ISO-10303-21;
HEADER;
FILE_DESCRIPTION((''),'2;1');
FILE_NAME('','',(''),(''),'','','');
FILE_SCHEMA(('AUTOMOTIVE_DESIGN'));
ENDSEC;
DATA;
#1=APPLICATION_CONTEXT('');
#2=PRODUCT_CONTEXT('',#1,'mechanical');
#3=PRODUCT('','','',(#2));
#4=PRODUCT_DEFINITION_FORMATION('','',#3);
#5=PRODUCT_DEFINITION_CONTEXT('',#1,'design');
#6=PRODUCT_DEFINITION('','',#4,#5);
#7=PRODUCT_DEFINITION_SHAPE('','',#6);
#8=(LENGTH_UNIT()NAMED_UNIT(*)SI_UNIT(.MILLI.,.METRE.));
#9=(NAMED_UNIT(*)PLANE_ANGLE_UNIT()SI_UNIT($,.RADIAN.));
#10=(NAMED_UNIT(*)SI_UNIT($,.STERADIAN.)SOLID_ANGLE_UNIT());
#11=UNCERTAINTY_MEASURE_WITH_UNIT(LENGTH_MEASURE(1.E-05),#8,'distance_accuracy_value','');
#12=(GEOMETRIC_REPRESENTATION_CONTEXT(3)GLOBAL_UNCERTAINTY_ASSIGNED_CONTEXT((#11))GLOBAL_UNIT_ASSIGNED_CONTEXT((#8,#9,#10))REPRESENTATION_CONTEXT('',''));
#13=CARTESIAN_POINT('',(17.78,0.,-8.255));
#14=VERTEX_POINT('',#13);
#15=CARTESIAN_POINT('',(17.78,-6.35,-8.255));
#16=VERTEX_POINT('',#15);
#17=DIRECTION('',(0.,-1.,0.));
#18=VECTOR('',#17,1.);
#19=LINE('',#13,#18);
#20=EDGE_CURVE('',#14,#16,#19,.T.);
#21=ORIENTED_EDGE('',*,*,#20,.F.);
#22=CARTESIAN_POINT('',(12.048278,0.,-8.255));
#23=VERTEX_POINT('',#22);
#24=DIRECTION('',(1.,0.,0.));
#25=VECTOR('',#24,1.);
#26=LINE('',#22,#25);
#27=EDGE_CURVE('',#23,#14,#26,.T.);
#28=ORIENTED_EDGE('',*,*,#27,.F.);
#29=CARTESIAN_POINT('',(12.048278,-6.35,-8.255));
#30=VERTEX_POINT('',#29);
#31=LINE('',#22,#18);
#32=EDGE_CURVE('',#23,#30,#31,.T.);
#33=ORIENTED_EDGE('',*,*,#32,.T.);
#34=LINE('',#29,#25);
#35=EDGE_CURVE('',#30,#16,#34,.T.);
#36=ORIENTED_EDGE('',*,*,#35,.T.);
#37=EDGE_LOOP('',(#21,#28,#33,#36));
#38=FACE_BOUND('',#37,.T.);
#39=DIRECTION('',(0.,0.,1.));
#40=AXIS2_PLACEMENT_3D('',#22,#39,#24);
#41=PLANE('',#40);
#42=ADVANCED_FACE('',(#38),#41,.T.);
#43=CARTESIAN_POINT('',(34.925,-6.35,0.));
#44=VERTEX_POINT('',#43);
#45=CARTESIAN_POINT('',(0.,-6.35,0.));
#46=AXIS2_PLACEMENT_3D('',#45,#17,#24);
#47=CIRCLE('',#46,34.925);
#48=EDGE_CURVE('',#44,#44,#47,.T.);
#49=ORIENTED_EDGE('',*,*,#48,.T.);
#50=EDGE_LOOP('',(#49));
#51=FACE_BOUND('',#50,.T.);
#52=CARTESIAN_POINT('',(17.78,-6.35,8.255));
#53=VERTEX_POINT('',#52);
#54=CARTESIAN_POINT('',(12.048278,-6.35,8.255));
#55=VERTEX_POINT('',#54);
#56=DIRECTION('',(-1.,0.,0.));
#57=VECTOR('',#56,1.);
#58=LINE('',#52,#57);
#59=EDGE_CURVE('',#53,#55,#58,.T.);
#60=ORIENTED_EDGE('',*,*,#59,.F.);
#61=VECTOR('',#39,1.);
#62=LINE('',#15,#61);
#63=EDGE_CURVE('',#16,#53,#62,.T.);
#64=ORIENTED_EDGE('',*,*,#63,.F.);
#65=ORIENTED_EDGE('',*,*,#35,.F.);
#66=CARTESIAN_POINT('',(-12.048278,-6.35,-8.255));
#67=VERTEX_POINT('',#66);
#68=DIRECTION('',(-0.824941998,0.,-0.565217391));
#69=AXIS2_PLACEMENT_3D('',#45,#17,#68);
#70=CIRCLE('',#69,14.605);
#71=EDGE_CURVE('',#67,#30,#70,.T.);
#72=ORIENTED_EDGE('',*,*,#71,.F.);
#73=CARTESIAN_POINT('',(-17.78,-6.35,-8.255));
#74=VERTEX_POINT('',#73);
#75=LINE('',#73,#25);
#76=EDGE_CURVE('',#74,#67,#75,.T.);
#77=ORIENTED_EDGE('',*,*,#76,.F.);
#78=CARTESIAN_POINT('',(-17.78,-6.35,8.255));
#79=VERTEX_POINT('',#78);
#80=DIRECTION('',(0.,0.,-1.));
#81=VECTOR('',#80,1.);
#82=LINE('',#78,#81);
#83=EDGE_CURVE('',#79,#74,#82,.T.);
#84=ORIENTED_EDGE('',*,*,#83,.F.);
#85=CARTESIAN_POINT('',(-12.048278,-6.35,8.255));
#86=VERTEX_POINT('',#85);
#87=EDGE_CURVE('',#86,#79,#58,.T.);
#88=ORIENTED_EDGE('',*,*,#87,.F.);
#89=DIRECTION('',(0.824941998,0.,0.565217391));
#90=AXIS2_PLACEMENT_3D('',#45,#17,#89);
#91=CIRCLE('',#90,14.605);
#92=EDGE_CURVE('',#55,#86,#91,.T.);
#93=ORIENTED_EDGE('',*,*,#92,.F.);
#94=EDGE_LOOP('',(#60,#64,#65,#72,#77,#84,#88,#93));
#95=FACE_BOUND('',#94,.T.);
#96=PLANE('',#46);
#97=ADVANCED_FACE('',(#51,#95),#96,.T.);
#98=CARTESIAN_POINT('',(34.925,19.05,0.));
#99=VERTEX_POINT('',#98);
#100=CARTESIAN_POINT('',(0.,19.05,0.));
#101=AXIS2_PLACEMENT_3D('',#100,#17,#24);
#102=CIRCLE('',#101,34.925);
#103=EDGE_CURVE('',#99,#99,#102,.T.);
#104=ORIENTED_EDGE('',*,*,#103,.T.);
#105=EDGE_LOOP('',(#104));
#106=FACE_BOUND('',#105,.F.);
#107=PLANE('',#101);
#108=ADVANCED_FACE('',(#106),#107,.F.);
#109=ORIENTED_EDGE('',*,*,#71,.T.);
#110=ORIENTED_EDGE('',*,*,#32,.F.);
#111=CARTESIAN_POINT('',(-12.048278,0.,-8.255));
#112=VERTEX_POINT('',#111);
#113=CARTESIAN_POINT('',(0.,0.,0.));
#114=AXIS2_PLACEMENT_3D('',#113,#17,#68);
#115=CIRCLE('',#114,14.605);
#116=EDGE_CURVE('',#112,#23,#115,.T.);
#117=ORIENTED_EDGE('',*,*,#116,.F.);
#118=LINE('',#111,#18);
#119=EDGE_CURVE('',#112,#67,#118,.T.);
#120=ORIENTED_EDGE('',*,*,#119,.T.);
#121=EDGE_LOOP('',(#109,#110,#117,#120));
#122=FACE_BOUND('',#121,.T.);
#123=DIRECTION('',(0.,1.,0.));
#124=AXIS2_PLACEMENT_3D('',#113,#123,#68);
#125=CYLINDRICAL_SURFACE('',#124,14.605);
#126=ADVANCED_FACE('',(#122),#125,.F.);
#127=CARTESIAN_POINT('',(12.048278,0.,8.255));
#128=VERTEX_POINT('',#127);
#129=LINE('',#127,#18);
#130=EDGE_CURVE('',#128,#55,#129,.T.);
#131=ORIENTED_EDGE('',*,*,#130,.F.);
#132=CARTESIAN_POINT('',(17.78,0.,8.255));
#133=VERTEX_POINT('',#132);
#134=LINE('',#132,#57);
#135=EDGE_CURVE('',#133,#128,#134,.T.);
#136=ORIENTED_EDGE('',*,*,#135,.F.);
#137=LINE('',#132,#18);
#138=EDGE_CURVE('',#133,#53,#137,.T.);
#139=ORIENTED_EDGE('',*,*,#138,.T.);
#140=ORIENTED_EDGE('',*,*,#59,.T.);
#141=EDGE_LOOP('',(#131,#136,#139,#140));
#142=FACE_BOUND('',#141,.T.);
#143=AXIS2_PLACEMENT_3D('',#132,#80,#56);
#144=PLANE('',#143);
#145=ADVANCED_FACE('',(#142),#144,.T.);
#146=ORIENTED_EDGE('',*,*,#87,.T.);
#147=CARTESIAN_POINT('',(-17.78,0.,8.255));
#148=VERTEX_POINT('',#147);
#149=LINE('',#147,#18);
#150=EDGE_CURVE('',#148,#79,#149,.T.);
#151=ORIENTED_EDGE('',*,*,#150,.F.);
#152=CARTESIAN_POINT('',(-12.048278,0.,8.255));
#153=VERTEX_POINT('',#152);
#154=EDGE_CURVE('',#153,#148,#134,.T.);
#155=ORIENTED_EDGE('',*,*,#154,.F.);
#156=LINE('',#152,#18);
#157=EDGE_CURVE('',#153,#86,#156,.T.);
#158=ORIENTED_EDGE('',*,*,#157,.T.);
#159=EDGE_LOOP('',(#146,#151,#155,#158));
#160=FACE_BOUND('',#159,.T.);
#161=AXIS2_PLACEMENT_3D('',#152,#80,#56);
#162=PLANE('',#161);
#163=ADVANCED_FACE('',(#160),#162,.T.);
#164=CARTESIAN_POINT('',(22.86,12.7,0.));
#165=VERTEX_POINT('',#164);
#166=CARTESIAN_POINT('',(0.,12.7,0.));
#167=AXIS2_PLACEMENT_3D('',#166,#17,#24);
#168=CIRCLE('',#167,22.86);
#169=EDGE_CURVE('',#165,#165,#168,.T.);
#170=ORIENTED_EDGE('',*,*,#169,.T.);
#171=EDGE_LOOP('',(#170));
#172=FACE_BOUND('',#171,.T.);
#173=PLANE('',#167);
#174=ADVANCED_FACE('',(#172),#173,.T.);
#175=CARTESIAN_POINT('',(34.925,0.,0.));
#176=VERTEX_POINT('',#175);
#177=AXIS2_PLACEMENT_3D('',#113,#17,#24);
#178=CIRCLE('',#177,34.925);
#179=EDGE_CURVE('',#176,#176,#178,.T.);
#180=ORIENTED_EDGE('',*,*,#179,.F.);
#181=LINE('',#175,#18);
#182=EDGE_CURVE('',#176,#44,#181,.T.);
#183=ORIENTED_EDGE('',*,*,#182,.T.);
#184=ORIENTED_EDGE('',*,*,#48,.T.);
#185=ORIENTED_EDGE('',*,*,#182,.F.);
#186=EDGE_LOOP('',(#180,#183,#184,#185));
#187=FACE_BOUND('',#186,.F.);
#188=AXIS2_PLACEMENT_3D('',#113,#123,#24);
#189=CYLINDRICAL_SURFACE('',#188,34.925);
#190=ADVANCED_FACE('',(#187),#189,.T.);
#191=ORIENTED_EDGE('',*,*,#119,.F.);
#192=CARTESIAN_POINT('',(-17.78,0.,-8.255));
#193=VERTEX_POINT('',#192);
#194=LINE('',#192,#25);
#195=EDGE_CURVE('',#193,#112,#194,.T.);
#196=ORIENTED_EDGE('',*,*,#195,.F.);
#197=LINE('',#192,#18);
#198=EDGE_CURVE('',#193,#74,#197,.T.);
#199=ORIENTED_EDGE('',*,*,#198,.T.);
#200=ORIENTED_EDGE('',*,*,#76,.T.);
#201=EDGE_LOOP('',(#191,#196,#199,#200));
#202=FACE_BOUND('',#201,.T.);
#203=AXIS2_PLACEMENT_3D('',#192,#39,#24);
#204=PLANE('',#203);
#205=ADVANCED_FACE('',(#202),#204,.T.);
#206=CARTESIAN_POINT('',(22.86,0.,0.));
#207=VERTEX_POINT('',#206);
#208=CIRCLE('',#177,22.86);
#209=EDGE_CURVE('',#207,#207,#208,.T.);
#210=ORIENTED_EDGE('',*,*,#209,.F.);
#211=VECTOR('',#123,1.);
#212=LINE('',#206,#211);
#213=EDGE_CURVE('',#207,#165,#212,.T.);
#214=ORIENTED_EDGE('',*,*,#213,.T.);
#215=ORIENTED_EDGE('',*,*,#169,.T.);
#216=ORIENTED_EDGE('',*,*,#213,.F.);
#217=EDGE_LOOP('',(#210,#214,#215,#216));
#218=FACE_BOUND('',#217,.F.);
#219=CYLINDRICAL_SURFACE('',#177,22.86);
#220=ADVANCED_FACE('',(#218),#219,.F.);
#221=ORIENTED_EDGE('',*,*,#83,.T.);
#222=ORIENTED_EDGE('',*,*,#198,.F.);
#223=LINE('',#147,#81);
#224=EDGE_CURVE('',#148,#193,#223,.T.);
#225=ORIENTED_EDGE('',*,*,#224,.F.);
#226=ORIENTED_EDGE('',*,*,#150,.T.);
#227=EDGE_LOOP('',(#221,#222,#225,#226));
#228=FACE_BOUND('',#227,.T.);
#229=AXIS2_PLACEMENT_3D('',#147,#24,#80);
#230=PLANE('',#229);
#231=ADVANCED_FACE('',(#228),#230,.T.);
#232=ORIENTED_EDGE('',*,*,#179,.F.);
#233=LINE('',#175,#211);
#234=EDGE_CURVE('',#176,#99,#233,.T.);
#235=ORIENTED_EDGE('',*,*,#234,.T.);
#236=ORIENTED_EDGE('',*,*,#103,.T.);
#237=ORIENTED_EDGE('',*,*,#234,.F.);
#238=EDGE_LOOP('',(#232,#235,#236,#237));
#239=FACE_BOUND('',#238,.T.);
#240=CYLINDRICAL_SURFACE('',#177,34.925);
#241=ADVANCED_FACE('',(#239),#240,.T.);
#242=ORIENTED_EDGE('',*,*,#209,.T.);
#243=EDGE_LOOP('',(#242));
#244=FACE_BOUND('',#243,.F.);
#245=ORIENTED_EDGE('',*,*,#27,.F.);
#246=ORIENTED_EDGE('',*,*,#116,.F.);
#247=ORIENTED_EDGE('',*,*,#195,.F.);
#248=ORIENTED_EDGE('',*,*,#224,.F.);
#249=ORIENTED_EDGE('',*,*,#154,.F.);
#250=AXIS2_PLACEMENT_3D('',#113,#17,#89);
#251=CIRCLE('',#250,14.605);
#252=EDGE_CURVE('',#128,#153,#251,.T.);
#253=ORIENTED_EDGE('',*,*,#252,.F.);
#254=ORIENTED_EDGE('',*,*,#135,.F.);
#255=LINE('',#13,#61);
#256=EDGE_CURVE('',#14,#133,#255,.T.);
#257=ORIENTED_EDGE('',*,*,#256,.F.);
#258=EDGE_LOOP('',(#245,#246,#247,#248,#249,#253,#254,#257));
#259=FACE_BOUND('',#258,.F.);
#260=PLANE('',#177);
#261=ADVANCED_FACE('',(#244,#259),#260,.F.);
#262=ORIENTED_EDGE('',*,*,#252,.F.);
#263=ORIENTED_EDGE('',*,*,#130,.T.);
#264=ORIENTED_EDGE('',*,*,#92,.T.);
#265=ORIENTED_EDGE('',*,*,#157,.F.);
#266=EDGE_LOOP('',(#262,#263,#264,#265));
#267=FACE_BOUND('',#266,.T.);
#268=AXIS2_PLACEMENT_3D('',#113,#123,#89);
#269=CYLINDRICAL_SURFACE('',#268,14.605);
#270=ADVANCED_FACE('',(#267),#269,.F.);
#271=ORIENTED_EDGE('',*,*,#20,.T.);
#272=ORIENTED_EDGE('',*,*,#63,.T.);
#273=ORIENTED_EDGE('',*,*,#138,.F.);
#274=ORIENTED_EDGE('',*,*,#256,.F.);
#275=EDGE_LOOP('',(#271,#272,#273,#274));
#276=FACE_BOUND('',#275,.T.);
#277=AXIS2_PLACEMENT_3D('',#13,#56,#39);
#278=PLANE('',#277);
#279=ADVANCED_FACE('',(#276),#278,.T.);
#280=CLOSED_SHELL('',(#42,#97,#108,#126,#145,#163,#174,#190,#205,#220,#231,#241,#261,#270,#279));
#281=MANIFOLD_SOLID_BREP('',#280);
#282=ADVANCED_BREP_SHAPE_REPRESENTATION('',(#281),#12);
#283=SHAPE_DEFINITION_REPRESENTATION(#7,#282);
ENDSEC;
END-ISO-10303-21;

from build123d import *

# Parameters (mm, degrees)
F0_R     = 34.925
F1_DEPTH = 19.05
F2_R     = 22.86
F3_DEPTH = 12.7
F4_R     = 34.925
F5_DEPTH = 6.35
F7_DEPTH = 6.35


with BuildPart() as f1:
    # F0 (on Front) → F1 (new body)
    with BuildSketch(Plane.XZ):
        Circle(F0_R)
    extrude(amount=-F1_DEPTH)

    # F2 (on Front) → F3 (cut)
    with BuildSketch(Plane.XZ):
        Circle(F2_R)
    extrude(amount=-F3_DEPTH, mode=Mode.SUBTRACT)

    # F4 (on Front) → F5 (join)
    with BuildSketch(Plane.XZ):
        Circle(F4_R)
    extrude(amount=F5_DEPTH)

    # F6 (on Front) → F7 (cut)
    with BuildSketch(Plane.XZ):
        with BuildLine():
            Line((12.0482778852, -8.255), (17.78, -8.255))
            Line((17.78, -8.255), (17.78, 8.255))
            Line((17.78, 8.255), (12.0482778852, 8.255))
            ThreePointArc((12.0482778852, 8.255), (13.9511849589, 4.3209331449), (14.605, 0))
            ThreePointArc((14.605, 0), (13.9511849589, -4.3209331449), (12.0482778852, -8.255))
        make_face()
        with BuildLine():
            ThreePointArc((-12.0482778852, -8.255), (0, -14.605), (12.0482778852, -8.255))
            Line((12.0482778852, -8.255), (-12.0482778852, -8.255))
        make_face()
        with BuildLine():
            Line((-12.0482778852, -8.255), (12.0482778852, -8.255))
            ThreePointArc((12.0482778852, -8.255), (13.9511849589, -4.3209331449), (14.605, 0))
            ThreePointArc((14.605, 0), (13.9511849589, 4.3209331449), (12.0482778852, 8.255))
            Line((12.0482778852, 8.255), (-12.0482778852, 8.255))
            ThreePointArc((-12.0482778852, 8.255), (-14.605, 0), (-12.0482778852, -8.255))
        make_face()
        with BuildLine():
            Line((-17.78, -8.255), (-12.0482778852, -8.255))
            ThreePointArc((-12.0482778852, -8.255), (-14.605, 0), (-12.0482778852, 8.255))
            Line((-12.0482778852, 8.255), (-17.78, 8.255))
            Line((-17.78, 8.255), (-17.78, -8.255))
        make_face()
        with BuildLine():
            Line((-12.0482778852, 8.255), (12.0482778852, 8.255))
            ThreePointArc((12.0482778852, 8.255), (0, 14.605), (-12.0482778852, 8.255))
        make_face()
    extrude(amount=F7_DEPTH, mode=Mode.SUBTRACT)


solid = f1.part
